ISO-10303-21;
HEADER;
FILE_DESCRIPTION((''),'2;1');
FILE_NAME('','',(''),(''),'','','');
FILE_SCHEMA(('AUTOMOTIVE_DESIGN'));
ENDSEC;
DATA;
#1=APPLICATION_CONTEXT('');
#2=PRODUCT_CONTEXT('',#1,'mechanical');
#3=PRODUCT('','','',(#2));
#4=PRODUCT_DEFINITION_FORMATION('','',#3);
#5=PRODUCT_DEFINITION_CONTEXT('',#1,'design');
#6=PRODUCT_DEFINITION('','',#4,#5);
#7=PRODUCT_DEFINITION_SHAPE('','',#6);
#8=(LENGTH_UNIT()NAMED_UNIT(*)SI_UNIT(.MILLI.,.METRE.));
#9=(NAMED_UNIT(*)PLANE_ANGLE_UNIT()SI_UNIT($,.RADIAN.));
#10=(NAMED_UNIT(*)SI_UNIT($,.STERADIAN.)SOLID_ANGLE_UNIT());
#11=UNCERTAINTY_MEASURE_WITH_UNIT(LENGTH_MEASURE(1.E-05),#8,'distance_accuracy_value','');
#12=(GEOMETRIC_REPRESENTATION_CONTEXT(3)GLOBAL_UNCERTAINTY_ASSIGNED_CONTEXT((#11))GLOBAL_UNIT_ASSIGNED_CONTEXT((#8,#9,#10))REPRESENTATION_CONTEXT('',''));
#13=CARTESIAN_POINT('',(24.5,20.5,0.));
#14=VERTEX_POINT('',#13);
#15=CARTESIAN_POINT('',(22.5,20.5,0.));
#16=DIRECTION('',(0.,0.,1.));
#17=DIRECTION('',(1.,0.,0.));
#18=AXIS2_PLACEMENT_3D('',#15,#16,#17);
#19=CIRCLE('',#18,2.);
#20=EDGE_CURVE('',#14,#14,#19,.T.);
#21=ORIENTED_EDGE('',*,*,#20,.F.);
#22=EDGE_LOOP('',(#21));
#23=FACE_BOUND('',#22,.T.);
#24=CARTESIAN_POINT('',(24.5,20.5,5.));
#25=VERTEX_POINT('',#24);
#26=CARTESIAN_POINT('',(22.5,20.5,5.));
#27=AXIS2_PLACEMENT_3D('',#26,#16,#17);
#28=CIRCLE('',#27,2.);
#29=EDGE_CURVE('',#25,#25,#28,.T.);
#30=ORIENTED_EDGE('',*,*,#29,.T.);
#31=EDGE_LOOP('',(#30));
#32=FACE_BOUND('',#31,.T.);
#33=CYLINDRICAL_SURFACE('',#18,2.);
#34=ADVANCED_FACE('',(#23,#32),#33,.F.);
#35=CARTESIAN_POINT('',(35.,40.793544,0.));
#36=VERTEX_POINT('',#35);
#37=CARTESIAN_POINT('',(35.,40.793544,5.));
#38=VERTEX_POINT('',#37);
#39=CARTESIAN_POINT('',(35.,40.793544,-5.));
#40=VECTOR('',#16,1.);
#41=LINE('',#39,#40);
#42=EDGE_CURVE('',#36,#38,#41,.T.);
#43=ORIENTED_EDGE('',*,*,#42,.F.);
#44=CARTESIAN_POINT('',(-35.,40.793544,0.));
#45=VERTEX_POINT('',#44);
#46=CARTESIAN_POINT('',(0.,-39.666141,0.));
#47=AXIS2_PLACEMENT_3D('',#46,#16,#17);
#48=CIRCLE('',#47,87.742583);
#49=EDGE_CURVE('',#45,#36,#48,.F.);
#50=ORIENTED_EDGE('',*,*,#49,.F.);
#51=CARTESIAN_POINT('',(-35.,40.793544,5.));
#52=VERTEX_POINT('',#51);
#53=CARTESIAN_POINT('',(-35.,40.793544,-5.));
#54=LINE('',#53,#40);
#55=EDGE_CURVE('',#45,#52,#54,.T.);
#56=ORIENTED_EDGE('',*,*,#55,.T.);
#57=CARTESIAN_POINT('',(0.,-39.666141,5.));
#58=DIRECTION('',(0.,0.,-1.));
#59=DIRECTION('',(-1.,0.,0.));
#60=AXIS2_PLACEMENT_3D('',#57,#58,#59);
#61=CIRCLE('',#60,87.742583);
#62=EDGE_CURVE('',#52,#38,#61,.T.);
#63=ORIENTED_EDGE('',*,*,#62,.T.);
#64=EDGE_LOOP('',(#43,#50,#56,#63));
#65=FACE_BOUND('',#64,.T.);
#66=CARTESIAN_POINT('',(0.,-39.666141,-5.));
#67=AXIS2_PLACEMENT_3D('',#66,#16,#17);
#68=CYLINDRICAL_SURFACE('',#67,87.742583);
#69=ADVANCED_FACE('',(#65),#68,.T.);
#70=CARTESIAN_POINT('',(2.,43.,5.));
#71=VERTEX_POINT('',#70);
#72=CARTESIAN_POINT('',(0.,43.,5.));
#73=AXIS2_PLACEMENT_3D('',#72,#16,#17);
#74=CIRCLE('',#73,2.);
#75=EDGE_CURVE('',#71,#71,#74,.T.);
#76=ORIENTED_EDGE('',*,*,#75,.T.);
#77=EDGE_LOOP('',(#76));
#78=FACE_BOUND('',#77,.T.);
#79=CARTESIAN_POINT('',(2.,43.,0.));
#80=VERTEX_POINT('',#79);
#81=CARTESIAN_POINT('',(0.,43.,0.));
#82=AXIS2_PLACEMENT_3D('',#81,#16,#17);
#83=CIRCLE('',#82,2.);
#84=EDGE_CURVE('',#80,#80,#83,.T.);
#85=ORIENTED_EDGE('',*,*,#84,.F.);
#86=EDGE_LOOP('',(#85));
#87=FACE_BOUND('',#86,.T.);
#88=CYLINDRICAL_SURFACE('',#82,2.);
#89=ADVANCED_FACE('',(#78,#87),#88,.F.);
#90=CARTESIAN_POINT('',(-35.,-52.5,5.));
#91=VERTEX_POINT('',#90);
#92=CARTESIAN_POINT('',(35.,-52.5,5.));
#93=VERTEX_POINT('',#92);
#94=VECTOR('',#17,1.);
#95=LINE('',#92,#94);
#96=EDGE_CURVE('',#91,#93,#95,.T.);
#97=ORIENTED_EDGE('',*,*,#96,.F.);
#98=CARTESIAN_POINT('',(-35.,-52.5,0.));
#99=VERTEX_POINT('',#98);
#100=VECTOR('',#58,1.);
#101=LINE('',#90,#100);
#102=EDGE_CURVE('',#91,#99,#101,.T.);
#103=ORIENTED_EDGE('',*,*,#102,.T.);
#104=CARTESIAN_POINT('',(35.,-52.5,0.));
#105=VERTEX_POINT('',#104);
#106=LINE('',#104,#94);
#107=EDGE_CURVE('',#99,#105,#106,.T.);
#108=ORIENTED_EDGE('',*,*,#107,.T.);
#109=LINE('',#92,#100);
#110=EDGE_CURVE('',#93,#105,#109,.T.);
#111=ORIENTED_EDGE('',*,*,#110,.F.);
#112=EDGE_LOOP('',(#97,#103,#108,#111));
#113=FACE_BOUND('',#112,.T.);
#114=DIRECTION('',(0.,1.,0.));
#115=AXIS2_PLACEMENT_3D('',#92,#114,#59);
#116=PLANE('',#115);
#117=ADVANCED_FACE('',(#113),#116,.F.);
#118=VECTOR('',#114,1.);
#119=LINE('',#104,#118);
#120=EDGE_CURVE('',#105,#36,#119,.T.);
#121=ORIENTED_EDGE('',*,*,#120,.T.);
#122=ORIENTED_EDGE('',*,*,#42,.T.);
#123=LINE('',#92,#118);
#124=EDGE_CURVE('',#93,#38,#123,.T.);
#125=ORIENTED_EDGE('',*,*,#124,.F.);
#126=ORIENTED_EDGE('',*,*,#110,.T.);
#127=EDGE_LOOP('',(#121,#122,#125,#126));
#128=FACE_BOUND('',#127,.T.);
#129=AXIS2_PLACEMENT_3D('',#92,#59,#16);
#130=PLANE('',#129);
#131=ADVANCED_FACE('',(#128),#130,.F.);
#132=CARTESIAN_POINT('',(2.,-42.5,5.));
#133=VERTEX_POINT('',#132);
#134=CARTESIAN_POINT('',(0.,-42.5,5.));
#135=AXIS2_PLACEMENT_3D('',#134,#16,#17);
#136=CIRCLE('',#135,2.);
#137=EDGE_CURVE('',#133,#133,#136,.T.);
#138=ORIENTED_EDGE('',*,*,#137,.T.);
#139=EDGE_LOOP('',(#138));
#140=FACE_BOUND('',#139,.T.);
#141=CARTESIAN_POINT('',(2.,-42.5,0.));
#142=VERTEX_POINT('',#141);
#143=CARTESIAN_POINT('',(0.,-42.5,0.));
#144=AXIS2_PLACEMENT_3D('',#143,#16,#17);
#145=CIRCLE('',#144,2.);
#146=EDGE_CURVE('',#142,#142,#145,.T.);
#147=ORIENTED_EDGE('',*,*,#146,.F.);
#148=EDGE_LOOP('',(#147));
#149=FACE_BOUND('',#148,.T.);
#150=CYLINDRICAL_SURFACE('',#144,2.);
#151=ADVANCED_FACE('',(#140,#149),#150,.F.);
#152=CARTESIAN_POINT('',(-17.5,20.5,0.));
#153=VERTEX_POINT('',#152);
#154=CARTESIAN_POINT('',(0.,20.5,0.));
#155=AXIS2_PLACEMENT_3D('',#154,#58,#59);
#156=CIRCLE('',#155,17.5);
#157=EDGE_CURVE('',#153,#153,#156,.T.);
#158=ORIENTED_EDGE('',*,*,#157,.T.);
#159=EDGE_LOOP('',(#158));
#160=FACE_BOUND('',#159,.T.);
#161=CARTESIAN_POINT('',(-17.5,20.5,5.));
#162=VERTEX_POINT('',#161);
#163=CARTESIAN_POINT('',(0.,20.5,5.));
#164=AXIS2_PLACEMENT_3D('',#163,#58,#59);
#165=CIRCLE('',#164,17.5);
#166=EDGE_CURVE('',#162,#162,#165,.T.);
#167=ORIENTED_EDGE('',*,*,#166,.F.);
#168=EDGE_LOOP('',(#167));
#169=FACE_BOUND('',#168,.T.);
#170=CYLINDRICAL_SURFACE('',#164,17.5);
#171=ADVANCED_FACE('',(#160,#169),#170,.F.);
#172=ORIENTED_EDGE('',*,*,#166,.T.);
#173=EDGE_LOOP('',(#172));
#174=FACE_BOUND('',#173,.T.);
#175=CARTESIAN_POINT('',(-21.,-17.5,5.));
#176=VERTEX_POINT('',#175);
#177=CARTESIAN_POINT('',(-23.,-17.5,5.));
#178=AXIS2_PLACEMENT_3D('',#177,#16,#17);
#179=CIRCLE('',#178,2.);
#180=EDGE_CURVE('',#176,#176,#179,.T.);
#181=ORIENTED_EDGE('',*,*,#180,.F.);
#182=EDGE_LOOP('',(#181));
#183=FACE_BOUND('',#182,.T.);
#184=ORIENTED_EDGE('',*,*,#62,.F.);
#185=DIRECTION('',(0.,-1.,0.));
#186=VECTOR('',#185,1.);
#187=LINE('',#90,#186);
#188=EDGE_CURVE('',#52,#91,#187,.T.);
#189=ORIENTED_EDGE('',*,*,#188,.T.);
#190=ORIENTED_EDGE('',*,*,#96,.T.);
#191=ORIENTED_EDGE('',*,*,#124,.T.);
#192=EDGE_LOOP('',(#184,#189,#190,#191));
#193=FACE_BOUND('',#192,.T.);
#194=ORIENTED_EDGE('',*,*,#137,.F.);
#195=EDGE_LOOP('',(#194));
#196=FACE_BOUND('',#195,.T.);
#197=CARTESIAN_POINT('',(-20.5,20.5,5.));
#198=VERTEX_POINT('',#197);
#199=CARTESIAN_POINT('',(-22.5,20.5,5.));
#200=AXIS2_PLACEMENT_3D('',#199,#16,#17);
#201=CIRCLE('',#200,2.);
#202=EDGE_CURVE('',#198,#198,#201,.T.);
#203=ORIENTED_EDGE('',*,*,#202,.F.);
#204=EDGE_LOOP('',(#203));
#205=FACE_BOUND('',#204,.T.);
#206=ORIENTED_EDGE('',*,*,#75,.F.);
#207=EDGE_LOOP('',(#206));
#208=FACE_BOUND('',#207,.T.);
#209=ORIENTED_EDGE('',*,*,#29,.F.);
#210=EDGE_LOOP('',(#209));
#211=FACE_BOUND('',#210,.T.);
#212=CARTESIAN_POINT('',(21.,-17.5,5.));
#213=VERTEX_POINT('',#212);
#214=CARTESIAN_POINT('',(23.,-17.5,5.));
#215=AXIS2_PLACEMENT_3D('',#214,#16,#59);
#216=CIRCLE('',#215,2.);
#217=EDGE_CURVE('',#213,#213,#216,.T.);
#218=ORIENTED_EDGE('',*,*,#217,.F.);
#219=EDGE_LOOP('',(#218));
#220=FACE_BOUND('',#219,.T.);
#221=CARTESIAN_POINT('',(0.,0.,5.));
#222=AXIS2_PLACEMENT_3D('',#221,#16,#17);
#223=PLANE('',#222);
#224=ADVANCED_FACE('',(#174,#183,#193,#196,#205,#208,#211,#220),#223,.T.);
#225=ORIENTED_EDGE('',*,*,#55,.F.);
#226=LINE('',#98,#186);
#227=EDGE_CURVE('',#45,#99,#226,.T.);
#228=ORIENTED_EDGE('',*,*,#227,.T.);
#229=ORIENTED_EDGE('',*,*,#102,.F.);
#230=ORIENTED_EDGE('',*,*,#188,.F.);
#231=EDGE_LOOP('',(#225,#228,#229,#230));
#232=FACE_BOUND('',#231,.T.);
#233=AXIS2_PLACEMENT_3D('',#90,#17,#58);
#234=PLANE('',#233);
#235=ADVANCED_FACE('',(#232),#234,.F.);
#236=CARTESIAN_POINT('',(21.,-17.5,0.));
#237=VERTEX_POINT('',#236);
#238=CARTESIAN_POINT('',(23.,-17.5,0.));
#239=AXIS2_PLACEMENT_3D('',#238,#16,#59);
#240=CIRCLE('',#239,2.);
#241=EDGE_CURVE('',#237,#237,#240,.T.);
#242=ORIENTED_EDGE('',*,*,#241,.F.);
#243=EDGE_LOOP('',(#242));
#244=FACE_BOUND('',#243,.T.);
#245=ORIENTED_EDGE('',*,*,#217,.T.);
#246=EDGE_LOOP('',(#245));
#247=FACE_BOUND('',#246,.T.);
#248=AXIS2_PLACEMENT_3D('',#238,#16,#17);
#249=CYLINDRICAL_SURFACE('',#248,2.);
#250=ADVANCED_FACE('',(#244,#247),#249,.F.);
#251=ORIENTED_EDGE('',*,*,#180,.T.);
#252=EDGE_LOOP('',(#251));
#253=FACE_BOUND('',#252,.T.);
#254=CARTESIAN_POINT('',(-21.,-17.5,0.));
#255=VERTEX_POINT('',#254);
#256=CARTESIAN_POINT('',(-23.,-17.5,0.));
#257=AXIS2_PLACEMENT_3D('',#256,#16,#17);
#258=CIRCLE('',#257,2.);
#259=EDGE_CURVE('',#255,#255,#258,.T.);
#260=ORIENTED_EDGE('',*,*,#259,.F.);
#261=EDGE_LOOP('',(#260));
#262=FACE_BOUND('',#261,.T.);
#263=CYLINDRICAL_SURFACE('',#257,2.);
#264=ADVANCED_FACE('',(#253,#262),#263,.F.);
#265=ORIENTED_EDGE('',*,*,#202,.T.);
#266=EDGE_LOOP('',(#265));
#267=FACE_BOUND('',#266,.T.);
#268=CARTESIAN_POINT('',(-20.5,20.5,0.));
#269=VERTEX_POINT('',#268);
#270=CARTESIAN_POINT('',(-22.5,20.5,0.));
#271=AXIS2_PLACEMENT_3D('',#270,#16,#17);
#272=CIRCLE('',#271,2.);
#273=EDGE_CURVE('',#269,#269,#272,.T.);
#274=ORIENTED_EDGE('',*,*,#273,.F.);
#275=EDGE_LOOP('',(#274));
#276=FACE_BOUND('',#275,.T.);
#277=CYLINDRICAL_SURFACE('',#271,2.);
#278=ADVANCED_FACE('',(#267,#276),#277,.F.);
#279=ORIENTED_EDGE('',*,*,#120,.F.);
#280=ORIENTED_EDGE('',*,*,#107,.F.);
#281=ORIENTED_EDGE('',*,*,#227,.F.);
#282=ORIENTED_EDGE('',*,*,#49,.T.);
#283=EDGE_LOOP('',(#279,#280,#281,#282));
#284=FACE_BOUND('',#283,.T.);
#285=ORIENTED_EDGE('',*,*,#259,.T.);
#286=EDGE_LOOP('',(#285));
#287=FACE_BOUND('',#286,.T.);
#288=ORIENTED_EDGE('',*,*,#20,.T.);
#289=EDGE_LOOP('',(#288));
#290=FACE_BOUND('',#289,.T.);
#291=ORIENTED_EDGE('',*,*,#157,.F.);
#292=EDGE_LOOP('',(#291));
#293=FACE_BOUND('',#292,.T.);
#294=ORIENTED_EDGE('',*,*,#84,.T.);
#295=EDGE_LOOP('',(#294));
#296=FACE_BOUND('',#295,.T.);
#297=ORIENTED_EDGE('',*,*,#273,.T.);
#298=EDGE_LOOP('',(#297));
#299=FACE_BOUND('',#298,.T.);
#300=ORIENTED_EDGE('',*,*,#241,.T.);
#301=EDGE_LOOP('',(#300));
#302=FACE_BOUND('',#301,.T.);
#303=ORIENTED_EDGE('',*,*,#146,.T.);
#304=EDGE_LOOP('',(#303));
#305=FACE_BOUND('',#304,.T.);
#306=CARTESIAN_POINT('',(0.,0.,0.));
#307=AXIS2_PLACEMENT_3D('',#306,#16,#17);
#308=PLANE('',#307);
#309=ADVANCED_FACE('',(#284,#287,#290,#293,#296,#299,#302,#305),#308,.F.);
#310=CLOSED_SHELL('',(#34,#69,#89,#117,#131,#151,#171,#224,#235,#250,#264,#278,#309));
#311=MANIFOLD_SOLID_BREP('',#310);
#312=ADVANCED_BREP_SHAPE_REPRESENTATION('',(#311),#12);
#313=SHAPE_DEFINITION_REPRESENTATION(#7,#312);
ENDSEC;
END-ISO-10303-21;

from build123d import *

# Parameters (mm, degrees)
SKETCH1_W           = 70
SKETCH1_H           = 105
BOSS_EXTRUDE1_DEPTH = 5
SKETCH2_R           = 17.5
CUT_EXTRUDE3_DEPTH  = 64.294944506
SKETCH3_R           = 2
CUT_EXTRUDE4_DEPTH  = 64.294944506
SKETCH4_R           = 2
CUT_EXTRUDE5_DEPTH  = 5
CUT_EXTRUDE6_DEPTH  = 10


with BuildPart() as part:
    # Sketch1 → Boss-Extrude1 (new body)
    with BuildSketch(Plane.XY):
        Rectangle(SKETCH1_W, SKETCH1_H)
    extrude(amount=BOSS_EXTRUDE1_DEPTH)

    # Sketch2 → Cut-Extrude3 (cut, through all)
    with BuildSketch(Plane(origin=(0, 0, 0), x_dir=(-1, 0, 0), z_dir=(0, 0, -1))):
        with Locations((0, 20.5)):
            Circle(SKETCH2_R)
    extrude(amount=-CUT_EXTRUDE3_DEPTH, mode=Mode.SUBTRACT)

    # Sketch3 → Cut-Extrude4 (cut, through all)
    with BuildSketch(Plane.XY.offset(5)):
        with Locations((-22.5, 20.5)):
            Circle(SKETCH3_R)
        with Locations((0, 43)):
            Circle(SKETCH3_R)
        with Locations((22.5, 20.5)):
            Circle(SKETCH3_R)
    extrude(amount=-CUT_EXTRUDE4_DEPTH, mode=Mode.SUBTRACT)

    # Sketch4 → Cut-Extrude5 (cut)
    with BuildSketch(Plane.XY.offset(5)):
        with Locations((0, -42.5)):
            Circle(SKETCH4_R)
        with Locations((-23, -17.5)):
            Circle(SKETCH4_R)
        with Locations(Location((23, -17.5, 0), (0, 0, 180))):
            Circle(SKETCH4_R)
    extrude(amount=-CUT_EXTRUDE5_DEPTH, mode=Mode.SUBTRACT)

    # Sketch5 → Cut-Extrude6 (cut)
    with BuildSketch(Plane.XY.offset(5)):
        with BuildLine():
            Line((-35, 40.793543502), (-35, 52.5))
            Line((-35, 52.5), (35, 52.5))
            Line((35, 52.5), (35, 40.793543502))
            ThreePointArc((35, 40.793543502), (0, 48.07644174), (-35, 40.793543502))
        make_face()
    extrude(amount=-CUT_EXTRUDE6_DEPTH, mode=Mode.SUBTRACT)


solid = part.part
